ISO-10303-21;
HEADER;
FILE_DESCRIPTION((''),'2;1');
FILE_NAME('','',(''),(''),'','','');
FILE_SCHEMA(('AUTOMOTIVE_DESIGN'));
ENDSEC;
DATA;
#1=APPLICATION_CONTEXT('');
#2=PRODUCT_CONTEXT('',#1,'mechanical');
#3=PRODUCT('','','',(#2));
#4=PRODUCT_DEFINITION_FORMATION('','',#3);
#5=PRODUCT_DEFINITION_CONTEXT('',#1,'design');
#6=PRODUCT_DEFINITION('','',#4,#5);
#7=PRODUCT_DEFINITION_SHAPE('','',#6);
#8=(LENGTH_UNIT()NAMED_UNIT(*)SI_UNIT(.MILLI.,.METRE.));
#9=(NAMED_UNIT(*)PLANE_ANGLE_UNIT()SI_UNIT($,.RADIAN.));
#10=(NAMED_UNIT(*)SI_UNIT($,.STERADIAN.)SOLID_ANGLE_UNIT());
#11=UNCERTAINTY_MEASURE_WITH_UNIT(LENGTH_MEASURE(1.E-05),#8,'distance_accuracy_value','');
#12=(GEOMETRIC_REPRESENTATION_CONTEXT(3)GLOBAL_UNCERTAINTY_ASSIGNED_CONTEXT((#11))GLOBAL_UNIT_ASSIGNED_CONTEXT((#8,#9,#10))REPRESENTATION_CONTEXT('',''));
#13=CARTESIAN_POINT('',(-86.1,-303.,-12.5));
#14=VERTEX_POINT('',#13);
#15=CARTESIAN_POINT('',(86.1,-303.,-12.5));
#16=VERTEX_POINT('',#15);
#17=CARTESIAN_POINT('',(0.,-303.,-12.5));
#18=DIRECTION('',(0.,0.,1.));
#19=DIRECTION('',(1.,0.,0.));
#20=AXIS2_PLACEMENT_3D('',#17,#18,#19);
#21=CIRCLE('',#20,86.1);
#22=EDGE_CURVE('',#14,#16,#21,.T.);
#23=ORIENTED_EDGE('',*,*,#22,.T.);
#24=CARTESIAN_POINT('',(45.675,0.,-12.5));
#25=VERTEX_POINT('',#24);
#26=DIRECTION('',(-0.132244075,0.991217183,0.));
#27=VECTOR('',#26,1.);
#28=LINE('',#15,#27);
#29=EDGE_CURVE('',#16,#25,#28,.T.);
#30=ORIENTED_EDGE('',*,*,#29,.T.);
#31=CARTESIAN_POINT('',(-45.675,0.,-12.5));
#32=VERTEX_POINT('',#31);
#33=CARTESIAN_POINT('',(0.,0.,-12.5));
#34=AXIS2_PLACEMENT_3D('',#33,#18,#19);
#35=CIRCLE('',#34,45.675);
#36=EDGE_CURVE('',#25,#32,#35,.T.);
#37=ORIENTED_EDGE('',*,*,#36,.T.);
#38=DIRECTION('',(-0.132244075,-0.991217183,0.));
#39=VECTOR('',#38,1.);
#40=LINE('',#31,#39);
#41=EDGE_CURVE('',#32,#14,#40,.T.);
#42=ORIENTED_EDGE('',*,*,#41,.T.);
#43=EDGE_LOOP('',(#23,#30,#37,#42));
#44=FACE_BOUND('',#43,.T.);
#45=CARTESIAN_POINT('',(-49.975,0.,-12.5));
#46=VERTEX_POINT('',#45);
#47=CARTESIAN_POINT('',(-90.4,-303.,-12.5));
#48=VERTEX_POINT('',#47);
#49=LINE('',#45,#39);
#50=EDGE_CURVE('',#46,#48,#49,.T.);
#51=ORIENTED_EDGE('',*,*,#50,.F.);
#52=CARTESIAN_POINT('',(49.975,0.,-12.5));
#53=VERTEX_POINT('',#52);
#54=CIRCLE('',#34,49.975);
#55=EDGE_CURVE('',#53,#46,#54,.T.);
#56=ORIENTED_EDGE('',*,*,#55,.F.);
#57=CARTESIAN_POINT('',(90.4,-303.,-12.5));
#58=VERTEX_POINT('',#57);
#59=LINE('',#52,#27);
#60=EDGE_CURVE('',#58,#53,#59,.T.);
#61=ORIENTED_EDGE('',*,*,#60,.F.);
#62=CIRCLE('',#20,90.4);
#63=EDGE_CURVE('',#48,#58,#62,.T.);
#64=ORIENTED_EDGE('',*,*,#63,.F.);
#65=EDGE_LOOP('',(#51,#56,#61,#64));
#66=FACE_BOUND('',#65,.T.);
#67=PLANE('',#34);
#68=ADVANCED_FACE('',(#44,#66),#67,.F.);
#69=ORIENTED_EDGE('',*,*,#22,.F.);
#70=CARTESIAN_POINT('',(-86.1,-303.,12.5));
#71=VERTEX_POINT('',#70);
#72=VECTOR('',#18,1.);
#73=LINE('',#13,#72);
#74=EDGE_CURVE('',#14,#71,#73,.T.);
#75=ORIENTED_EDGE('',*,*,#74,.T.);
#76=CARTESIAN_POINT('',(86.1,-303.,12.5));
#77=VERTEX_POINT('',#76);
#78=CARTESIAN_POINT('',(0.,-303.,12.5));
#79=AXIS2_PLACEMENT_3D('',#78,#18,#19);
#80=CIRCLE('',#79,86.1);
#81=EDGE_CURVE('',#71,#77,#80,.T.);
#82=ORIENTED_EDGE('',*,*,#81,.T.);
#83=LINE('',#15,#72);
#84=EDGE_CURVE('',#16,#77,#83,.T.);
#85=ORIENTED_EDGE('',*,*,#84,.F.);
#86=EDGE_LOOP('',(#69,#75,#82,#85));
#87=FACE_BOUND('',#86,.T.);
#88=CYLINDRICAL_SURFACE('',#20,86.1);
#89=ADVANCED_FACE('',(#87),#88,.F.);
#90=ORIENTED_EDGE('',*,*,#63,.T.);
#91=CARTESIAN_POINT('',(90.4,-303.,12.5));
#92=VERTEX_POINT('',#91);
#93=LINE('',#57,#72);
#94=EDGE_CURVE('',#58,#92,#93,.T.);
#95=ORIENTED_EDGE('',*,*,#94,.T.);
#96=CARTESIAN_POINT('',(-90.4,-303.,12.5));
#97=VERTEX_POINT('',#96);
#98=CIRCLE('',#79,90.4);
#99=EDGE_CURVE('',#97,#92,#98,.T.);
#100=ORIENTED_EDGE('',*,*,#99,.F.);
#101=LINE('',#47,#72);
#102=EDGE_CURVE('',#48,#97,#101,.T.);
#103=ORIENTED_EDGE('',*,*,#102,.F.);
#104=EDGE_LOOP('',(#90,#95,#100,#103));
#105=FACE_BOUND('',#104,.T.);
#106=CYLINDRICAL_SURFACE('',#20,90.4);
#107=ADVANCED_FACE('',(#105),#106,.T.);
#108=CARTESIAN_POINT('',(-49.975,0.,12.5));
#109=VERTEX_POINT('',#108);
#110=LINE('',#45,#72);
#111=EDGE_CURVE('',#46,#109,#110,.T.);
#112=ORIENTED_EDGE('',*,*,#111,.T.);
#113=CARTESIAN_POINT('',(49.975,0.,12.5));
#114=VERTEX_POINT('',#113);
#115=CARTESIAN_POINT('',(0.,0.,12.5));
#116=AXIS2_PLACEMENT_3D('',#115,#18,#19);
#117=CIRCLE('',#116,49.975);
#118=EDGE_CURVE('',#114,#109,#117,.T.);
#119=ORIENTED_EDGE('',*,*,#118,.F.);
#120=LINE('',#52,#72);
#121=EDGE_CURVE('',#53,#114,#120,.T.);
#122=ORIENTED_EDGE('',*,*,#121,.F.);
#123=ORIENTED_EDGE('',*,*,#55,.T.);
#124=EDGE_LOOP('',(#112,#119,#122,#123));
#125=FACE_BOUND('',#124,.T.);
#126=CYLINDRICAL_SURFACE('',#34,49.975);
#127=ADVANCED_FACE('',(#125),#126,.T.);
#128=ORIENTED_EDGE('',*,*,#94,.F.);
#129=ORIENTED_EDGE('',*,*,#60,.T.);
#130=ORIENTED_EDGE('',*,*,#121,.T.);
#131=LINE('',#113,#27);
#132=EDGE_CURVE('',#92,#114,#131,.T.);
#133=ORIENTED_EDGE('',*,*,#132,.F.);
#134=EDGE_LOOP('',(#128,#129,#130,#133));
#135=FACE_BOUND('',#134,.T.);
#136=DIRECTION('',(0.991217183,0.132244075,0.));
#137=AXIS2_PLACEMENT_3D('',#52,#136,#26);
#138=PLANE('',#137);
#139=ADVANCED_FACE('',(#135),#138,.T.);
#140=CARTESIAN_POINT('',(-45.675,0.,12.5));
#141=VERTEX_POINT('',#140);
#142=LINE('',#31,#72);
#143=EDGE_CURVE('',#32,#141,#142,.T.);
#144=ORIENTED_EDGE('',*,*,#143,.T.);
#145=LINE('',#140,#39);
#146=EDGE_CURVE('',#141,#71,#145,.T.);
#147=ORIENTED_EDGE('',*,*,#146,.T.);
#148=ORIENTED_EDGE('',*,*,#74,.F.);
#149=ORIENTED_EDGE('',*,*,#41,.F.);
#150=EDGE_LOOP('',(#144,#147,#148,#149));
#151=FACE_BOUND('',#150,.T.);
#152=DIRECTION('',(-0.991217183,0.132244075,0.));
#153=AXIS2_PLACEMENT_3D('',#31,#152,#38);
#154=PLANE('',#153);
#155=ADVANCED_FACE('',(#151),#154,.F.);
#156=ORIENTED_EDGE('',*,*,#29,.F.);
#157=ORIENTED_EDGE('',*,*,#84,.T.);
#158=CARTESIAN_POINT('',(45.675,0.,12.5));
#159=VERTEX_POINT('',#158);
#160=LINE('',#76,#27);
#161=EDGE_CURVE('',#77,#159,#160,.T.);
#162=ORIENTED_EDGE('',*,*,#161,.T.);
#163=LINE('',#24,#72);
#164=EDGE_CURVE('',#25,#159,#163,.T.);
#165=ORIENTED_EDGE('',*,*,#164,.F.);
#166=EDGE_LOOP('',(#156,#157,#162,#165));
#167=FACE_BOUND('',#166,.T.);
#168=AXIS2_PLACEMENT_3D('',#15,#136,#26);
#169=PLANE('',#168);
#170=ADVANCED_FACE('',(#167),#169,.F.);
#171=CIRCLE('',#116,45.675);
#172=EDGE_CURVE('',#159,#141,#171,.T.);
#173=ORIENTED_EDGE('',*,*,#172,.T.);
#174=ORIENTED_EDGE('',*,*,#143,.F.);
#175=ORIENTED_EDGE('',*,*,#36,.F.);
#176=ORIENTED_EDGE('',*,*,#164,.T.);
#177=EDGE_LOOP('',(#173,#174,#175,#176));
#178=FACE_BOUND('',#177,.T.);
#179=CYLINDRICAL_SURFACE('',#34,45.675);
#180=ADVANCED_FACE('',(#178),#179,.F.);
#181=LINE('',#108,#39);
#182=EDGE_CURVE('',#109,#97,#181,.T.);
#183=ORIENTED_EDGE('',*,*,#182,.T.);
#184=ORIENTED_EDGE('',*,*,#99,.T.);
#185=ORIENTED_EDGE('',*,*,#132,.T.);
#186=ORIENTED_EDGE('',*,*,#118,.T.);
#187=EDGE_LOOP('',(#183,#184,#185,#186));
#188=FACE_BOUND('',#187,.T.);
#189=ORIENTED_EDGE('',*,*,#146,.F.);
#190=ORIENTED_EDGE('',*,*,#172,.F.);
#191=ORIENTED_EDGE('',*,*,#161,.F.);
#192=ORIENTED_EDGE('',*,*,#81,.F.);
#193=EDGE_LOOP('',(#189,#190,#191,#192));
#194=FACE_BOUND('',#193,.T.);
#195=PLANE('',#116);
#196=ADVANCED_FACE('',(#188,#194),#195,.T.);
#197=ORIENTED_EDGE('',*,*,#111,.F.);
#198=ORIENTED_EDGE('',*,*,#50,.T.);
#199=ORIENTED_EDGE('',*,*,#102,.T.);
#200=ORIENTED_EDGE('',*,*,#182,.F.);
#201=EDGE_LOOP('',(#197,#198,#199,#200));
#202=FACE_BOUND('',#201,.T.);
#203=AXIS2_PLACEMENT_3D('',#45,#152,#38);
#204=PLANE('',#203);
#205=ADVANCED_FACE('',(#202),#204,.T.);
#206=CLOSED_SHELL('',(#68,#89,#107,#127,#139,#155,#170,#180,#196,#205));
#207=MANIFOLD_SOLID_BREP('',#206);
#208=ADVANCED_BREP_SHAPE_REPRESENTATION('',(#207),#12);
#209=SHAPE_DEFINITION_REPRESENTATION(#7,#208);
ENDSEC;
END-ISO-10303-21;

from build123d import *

# Parameters (mm, degrees)
AUFSATZ_LINEAR_AUSTRAGEN1_DEPTH      = 12.5
AUFSATZ_LINEAR_AUSTRAGEN1_DEPTH_BACK = 12.5


with BuildPart() as part:
    # Skizze3 → Aufsatz-Linear austragen1 (new, two sides: drawn at the far end of the back side and taken through both)
    with BuildSketch(Plane.XY.offset(-AUFSATZ_LINEAR_AUSTRAGEN1_DEPTH_BACK)):
        with BuildLine():
            Line((-49.975, 0), (-90.4, -303))
            ThreePointArc((-90.4, -303), (0, -393.4), (90.4, -303))
            Line((90.4, -303), (49.975, 0))
            ThreePointArc((49.975, 0), (0, 49.975), (-49.975, 0))
        make_face()
        with BuildLine():
            Line((86.1, -303), (45.675, 0))
            ThreePointArc((45.675, 0), (0, 45.675), (-45.675, 0))
            Line((-45.675, 0), (-86.1, -303))
            ThreePointArc((-86.1, -303), (0, -389.1), (86.1, -303))
        make_face(mode=Mode.SUBTRACT)
    extrude(amount=AUFSATZ_LINEAR_AUSTRAGEN1_DEPTH + AUFSATZ_LINEAR_AUSTRAGEN1_DEPTH_BACK)


solid = part.part
